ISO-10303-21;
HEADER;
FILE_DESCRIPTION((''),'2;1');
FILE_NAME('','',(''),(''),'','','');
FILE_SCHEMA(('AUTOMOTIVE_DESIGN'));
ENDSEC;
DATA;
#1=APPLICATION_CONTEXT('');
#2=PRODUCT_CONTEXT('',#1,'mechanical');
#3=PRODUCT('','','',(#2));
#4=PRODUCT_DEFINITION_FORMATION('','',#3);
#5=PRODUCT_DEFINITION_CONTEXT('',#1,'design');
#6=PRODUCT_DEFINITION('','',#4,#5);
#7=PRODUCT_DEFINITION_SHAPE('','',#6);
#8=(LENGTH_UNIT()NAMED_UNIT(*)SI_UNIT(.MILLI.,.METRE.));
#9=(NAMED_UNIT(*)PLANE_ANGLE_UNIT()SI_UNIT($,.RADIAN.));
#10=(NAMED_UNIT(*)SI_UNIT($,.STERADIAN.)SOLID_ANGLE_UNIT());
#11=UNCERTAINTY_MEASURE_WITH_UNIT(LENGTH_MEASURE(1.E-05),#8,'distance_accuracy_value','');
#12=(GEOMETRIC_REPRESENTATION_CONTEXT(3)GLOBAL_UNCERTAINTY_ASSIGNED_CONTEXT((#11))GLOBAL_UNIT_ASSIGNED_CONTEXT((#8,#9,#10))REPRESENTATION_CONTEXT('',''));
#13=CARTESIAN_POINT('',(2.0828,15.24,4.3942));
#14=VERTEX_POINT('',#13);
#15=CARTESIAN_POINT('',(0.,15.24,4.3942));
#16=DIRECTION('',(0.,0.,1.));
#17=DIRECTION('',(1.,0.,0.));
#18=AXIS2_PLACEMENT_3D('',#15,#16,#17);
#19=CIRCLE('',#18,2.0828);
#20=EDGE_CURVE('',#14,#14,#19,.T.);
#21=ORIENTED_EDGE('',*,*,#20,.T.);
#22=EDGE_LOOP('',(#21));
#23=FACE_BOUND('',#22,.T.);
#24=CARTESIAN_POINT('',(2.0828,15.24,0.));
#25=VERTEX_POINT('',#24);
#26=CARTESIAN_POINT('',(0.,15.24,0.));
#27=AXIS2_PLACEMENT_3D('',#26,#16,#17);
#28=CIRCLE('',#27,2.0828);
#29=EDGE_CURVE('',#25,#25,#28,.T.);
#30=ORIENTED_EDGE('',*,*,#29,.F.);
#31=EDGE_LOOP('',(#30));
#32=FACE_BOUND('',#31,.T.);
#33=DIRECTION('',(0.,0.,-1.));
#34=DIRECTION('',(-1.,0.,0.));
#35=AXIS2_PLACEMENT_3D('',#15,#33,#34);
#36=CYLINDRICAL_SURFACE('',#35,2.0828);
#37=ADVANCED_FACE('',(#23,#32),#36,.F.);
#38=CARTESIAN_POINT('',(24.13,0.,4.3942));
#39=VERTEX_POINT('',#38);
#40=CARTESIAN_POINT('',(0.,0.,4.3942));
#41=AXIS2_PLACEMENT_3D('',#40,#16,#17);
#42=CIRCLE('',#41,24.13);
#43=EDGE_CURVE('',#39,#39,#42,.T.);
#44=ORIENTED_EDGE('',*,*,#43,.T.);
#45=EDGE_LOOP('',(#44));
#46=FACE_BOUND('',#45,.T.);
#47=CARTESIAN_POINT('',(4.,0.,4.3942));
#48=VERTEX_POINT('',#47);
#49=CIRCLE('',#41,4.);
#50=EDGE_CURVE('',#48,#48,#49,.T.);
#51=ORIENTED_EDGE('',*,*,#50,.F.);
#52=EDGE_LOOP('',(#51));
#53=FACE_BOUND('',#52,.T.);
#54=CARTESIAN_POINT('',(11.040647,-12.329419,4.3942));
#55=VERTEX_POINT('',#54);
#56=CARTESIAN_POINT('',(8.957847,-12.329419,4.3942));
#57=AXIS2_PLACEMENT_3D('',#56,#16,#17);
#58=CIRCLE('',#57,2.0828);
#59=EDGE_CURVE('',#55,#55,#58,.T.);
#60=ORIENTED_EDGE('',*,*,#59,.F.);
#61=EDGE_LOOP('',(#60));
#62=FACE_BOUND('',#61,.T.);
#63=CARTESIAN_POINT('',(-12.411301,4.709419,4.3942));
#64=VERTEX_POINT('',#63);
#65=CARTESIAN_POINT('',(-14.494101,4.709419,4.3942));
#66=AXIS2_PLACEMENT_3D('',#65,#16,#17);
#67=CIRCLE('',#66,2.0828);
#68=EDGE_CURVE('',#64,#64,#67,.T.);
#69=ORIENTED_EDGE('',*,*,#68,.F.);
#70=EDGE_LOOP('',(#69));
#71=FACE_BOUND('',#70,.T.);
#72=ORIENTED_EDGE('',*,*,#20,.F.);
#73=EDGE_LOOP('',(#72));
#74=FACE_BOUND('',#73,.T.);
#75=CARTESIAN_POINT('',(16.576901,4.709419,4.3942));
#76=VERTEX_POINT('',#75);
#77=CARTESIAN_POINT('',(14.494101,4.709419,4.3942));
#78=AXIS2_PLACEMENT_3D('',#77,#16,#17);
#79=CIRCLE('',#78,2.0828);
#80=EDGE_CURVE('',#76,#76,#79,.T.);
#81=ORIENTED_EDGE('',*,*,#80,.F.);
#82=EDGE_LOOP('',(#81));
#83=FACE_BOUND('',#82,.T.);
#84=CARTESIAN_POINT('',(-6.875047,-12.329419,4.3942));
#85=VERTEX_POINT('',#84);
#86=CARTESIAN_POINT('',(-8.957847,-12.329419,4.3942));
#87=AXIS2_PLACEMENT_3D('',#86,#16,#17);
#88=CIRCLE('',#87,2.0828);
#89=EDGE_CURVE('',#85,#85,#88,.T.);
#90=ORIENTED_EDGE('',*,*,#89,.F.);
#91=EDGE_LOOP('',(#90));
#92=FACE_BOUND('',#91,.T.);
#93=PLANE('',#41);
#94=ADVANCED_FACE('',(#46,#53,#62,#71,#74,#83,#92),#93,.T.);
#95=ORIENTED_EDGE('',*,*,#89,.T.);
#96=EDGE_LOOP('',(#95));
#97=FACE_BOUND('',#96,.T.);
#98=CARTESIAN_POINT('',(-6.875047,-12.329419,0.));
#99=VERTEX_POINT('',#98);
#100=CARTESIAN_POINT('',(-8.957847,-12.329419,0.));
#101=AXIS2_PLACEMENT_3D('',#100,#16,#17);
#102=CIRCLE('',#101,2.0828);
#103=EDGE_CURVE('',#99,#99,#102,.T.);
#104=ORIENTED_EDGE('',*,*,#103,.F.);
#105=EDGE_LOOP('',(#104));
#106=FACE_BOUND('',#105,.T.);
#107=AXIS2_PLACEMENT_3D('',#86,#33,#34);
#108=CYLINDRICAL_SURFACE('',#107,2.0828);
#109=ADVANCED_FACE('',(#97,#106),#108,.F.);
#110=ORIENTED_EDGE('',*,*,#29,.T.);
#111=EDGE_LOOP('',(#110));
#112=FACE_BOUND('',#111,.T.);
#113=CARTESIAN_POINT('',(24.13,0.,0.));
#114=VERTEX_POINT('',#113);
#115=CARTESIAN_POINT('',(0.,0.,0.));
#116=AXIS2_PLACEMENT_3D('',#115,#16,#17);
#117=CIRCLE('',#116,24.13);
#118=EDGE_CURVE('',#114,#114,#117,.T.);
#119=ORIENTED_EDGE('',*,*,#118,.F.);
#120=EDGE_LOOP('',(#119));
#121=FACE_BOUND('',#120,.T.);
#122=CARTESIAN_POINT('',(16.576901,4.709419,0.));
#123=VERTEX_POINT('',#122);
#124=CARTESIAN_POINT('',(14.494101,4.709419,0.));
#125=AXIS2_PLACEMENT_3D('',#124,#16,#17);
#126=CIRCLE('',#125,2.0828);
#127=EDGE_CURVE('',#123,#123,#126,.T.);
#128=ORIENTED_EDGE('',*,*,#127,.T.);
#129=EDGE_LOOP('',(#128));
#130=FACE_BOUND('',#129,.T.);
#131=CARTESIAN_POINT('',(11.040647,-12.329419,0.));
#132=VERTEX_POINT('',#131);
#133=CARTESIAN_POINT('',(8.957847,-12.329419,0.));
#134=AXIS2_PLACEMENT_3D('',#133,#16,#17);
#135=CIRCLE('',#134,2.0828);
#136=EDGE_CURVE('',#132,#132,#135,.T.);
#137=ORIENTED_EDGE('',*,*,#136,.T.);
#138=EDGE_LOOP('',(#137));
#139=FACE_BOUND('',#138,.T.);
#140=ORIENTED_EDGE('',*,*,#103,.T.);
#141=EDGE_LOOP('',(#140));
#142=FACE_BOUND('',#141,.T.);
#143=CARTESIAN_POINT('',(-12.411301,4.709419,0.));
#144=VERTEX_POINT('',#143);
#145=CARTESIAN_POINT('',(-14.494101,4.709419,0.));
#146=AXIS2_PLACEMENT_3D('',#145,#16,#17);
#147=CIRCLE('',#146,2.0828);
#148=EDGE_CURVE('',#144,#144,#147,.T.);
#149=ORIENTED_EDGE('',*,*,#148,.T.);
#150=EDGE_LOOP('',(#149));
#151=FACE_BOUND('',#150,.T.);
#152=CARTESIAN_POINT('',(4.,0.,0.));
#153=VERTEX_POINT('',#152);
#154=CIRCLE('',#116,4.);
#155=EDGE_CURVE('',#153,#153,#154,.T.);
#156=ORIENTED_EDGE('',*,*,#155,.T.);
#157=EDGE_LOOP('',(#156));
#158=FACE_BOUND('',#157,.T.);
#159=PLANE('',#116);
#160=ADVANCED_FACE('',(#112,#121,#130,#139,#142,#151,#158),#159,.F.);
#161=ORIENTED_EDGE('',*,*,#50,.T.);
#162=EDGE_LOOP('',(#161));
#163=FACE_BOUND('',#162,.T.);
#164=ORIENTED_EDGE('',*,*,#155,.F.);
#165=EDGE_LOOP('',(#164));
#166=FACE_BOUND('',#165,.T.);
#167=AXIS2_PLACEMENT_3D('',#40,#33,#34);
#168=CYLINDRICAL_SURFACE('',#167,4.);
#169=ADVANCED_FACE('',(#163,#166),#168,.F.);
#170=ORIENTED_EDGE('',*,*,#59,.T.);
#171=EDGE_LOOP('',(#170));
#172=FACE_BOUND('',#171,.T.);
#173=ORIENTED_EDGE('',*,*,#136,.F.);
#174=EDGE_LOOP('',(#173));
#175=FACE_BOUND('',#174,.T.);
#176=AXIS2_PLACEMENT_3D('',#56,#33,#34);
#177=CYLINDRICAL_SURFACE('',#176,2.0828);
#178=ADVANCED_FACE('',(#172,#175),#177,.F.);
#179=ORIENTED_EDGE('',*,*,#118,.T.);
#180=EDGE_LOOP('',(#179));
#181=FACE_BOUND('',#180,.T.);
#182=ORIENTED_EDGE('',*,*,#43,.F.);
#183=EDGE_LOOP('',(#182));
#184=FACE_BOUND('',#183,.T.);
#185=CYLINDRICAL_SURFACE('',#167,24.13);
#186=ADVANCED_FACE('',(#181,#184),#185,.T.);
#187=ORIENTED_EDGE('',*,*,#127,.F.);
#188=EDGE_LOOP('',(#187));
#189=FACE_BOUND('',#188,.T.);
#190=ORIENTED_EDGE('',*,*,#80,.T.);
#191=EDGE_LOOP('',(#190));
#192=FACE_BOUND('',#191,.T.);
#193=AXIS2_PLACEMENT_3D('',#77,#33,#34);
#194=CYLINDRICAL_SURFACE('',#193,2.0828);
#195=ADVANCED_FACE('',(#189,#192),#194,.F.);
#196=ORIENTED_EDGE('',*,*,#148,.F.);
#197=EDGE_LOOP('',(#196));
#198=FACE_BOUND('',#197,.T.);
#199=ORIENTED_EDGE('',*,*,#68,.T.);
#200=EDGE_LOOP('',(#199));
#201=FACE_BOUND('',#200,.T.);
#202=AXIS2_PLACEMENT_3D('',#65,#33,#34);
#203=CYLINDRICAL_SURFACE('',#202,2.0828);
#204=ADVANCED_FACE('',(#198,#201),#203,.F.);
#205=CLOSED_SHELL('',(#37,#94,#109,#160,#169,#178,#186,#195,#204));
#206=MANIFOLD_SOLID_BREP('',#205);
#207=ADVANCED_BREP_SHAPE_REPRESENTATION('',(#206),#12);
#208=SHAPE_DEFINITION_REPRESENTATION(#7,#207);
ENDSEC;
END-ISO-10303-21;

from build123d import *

# Parameters (mm, degrees)
SKETCH1_R           = 24.13
SKETCH1_R_2         = 2.0828
SKETCH1_R_3         = 4
BOSS_EXTRUDE1_DEPTH = 4.3942


with BuildPart() as part:
    # Sketch1 → Boss-Extrude1 (new body)
    with BuildSketch(Plane.XY):
        Circle(SKETCH1_R)
        with Locations((0, 15.24)):
            Circle(SKETCH1_R_2, mode=Mode.SUBTRACT)
        with Locations((14.494101308, 4.709418994)):
            Circle(SKETCH1_R_2, mode=Mode.SUBTRACT)
        with Locations((8.957847245, -12.329418994)):
            Circle(SKETCH1_R_2, mode=Mode.SUBTRACT)
        with Locations((-8.957847245, -12.329418994)):
            Circle(SKETCH1_R_2, mode=Mode.SUBTRACT)
        with Locations((-14.494101308, 4.709418994)):
            Circle(SKETCH1_R_2, mode=Mode.SUBTRACT)
        Circle(SKETCH1_R_3, mode=Mode.SUBTRACT)
    extrude(amount=BOSS_EXTRUDE1_DEPTH)


solid = part.part
